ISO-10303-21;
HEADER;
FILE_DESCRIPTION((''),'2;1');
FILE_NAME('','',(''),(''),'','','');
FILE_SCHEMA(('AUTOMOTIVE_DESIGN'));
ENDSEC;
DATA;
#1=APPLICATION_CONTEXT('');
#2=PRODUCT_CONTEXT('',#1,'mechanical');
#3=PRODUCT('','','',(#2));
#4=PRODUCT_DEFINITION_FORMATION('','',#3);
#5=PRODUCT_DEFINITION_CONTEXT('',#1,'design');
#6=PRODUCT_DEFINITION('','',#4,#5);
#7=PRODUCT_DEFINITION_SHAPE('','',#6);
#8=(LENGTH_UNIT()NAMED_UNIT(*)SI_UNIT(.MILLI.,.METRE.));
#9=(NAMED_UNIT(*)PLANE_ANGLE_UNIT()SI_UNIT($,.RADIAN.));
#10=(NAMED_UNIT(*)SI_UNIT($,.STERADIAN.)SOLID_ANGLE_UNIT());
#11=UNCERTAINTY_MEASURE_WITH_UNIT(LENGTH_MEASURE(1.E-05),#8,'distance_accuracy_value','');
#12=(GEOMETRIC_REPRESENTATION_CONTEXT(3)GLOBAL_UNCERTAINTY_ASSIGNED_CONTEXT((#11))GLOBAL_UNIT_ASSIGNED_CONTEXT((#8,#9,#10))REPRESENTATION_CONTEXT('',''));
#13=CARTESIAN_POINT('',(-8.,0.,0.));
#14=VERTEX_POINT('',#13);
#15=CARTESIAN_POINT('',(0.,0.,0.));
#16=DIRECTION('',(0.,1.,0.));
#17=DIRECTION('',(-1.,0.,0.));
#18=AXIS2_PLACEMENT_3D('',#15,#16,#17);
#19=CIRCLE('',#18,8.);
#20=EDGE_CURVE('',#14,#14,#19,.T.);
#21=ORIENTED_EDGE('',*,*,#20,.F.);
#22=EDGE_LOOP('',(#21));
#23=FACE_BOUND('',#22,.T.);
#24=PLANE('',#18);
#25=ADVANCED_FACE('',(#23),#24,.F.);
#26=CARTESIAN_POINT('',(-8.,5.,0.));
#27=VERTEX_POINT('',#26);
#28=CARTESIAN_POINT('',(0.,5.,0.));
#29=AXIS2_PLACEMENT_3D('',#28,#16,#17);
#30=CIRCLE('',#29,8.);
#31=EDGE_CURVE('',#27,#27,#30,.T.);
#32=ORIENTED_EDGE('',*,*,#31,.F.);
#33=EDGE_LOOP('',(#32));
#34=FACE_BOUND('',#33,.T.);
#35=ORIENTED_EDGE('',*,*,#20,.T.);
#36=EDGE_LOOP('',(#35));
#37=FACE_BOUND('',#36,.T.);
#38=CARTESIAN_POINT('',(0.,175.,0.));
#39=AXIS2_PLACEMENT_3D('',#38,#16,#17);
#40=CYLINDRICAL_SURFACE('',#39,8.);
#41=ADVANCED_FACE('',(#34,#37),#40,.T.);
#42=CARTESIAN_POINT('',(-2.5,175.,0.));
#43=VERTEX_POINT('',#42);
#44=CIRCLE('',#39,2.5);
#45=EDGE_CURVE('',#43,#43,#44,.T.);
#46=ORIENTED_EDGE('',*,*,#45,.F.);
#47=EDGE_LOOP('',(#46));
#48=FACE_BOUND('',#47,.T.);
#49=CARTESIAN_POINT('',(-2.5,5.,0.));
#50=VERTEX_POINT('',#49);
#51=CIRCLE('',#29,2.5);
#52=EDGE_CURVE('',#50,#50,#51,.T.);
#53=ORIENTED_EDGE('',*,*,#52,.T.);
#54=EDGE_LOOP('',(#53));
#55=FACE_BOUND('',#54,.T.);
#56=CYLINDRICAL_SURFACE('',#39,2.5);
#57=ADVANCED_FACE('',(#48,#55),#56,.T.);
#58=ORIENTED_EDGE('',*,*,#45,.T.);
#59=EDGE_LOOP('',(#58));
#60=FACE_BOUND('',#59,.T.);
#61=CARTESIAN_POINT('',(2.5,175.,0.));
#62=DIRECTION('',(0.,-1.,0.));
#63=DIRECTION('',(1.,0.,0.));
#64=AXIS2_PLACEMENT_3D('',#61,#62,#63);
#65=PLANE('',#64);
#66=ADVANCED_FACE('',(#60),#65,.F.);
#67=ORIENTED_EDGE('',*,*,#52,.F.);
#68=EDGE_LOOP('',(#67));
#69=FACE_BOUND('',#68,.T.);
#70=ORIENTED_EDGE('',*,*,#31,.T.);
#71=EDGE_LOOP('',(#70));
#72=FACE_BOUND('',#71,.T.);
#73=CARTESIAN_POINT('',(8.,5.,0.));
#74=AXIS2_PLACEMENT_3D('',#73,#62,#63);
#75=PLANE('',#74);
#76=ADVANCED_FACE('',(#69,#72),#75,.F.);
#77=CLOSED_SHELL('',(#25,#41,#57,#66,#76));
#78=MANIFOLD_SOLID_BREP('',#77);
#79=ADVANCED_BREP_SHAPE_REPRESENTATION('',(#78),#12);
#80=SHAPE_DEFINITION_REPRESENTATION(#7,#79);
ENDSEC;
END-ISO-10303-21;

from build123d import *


with BuildPart() as part:
    # Szkic1 → Obrót1 (revolve)
    with BuildSketch(Plane.XY):
        Polygon((0, 175), (0, 0), (8, 0), (8, 5), (2.5, 5), (2.5, 175), align=None)
    revolve(axis=Axis((0, 175, 0), (0, -1, 0)))


solid = part.part
